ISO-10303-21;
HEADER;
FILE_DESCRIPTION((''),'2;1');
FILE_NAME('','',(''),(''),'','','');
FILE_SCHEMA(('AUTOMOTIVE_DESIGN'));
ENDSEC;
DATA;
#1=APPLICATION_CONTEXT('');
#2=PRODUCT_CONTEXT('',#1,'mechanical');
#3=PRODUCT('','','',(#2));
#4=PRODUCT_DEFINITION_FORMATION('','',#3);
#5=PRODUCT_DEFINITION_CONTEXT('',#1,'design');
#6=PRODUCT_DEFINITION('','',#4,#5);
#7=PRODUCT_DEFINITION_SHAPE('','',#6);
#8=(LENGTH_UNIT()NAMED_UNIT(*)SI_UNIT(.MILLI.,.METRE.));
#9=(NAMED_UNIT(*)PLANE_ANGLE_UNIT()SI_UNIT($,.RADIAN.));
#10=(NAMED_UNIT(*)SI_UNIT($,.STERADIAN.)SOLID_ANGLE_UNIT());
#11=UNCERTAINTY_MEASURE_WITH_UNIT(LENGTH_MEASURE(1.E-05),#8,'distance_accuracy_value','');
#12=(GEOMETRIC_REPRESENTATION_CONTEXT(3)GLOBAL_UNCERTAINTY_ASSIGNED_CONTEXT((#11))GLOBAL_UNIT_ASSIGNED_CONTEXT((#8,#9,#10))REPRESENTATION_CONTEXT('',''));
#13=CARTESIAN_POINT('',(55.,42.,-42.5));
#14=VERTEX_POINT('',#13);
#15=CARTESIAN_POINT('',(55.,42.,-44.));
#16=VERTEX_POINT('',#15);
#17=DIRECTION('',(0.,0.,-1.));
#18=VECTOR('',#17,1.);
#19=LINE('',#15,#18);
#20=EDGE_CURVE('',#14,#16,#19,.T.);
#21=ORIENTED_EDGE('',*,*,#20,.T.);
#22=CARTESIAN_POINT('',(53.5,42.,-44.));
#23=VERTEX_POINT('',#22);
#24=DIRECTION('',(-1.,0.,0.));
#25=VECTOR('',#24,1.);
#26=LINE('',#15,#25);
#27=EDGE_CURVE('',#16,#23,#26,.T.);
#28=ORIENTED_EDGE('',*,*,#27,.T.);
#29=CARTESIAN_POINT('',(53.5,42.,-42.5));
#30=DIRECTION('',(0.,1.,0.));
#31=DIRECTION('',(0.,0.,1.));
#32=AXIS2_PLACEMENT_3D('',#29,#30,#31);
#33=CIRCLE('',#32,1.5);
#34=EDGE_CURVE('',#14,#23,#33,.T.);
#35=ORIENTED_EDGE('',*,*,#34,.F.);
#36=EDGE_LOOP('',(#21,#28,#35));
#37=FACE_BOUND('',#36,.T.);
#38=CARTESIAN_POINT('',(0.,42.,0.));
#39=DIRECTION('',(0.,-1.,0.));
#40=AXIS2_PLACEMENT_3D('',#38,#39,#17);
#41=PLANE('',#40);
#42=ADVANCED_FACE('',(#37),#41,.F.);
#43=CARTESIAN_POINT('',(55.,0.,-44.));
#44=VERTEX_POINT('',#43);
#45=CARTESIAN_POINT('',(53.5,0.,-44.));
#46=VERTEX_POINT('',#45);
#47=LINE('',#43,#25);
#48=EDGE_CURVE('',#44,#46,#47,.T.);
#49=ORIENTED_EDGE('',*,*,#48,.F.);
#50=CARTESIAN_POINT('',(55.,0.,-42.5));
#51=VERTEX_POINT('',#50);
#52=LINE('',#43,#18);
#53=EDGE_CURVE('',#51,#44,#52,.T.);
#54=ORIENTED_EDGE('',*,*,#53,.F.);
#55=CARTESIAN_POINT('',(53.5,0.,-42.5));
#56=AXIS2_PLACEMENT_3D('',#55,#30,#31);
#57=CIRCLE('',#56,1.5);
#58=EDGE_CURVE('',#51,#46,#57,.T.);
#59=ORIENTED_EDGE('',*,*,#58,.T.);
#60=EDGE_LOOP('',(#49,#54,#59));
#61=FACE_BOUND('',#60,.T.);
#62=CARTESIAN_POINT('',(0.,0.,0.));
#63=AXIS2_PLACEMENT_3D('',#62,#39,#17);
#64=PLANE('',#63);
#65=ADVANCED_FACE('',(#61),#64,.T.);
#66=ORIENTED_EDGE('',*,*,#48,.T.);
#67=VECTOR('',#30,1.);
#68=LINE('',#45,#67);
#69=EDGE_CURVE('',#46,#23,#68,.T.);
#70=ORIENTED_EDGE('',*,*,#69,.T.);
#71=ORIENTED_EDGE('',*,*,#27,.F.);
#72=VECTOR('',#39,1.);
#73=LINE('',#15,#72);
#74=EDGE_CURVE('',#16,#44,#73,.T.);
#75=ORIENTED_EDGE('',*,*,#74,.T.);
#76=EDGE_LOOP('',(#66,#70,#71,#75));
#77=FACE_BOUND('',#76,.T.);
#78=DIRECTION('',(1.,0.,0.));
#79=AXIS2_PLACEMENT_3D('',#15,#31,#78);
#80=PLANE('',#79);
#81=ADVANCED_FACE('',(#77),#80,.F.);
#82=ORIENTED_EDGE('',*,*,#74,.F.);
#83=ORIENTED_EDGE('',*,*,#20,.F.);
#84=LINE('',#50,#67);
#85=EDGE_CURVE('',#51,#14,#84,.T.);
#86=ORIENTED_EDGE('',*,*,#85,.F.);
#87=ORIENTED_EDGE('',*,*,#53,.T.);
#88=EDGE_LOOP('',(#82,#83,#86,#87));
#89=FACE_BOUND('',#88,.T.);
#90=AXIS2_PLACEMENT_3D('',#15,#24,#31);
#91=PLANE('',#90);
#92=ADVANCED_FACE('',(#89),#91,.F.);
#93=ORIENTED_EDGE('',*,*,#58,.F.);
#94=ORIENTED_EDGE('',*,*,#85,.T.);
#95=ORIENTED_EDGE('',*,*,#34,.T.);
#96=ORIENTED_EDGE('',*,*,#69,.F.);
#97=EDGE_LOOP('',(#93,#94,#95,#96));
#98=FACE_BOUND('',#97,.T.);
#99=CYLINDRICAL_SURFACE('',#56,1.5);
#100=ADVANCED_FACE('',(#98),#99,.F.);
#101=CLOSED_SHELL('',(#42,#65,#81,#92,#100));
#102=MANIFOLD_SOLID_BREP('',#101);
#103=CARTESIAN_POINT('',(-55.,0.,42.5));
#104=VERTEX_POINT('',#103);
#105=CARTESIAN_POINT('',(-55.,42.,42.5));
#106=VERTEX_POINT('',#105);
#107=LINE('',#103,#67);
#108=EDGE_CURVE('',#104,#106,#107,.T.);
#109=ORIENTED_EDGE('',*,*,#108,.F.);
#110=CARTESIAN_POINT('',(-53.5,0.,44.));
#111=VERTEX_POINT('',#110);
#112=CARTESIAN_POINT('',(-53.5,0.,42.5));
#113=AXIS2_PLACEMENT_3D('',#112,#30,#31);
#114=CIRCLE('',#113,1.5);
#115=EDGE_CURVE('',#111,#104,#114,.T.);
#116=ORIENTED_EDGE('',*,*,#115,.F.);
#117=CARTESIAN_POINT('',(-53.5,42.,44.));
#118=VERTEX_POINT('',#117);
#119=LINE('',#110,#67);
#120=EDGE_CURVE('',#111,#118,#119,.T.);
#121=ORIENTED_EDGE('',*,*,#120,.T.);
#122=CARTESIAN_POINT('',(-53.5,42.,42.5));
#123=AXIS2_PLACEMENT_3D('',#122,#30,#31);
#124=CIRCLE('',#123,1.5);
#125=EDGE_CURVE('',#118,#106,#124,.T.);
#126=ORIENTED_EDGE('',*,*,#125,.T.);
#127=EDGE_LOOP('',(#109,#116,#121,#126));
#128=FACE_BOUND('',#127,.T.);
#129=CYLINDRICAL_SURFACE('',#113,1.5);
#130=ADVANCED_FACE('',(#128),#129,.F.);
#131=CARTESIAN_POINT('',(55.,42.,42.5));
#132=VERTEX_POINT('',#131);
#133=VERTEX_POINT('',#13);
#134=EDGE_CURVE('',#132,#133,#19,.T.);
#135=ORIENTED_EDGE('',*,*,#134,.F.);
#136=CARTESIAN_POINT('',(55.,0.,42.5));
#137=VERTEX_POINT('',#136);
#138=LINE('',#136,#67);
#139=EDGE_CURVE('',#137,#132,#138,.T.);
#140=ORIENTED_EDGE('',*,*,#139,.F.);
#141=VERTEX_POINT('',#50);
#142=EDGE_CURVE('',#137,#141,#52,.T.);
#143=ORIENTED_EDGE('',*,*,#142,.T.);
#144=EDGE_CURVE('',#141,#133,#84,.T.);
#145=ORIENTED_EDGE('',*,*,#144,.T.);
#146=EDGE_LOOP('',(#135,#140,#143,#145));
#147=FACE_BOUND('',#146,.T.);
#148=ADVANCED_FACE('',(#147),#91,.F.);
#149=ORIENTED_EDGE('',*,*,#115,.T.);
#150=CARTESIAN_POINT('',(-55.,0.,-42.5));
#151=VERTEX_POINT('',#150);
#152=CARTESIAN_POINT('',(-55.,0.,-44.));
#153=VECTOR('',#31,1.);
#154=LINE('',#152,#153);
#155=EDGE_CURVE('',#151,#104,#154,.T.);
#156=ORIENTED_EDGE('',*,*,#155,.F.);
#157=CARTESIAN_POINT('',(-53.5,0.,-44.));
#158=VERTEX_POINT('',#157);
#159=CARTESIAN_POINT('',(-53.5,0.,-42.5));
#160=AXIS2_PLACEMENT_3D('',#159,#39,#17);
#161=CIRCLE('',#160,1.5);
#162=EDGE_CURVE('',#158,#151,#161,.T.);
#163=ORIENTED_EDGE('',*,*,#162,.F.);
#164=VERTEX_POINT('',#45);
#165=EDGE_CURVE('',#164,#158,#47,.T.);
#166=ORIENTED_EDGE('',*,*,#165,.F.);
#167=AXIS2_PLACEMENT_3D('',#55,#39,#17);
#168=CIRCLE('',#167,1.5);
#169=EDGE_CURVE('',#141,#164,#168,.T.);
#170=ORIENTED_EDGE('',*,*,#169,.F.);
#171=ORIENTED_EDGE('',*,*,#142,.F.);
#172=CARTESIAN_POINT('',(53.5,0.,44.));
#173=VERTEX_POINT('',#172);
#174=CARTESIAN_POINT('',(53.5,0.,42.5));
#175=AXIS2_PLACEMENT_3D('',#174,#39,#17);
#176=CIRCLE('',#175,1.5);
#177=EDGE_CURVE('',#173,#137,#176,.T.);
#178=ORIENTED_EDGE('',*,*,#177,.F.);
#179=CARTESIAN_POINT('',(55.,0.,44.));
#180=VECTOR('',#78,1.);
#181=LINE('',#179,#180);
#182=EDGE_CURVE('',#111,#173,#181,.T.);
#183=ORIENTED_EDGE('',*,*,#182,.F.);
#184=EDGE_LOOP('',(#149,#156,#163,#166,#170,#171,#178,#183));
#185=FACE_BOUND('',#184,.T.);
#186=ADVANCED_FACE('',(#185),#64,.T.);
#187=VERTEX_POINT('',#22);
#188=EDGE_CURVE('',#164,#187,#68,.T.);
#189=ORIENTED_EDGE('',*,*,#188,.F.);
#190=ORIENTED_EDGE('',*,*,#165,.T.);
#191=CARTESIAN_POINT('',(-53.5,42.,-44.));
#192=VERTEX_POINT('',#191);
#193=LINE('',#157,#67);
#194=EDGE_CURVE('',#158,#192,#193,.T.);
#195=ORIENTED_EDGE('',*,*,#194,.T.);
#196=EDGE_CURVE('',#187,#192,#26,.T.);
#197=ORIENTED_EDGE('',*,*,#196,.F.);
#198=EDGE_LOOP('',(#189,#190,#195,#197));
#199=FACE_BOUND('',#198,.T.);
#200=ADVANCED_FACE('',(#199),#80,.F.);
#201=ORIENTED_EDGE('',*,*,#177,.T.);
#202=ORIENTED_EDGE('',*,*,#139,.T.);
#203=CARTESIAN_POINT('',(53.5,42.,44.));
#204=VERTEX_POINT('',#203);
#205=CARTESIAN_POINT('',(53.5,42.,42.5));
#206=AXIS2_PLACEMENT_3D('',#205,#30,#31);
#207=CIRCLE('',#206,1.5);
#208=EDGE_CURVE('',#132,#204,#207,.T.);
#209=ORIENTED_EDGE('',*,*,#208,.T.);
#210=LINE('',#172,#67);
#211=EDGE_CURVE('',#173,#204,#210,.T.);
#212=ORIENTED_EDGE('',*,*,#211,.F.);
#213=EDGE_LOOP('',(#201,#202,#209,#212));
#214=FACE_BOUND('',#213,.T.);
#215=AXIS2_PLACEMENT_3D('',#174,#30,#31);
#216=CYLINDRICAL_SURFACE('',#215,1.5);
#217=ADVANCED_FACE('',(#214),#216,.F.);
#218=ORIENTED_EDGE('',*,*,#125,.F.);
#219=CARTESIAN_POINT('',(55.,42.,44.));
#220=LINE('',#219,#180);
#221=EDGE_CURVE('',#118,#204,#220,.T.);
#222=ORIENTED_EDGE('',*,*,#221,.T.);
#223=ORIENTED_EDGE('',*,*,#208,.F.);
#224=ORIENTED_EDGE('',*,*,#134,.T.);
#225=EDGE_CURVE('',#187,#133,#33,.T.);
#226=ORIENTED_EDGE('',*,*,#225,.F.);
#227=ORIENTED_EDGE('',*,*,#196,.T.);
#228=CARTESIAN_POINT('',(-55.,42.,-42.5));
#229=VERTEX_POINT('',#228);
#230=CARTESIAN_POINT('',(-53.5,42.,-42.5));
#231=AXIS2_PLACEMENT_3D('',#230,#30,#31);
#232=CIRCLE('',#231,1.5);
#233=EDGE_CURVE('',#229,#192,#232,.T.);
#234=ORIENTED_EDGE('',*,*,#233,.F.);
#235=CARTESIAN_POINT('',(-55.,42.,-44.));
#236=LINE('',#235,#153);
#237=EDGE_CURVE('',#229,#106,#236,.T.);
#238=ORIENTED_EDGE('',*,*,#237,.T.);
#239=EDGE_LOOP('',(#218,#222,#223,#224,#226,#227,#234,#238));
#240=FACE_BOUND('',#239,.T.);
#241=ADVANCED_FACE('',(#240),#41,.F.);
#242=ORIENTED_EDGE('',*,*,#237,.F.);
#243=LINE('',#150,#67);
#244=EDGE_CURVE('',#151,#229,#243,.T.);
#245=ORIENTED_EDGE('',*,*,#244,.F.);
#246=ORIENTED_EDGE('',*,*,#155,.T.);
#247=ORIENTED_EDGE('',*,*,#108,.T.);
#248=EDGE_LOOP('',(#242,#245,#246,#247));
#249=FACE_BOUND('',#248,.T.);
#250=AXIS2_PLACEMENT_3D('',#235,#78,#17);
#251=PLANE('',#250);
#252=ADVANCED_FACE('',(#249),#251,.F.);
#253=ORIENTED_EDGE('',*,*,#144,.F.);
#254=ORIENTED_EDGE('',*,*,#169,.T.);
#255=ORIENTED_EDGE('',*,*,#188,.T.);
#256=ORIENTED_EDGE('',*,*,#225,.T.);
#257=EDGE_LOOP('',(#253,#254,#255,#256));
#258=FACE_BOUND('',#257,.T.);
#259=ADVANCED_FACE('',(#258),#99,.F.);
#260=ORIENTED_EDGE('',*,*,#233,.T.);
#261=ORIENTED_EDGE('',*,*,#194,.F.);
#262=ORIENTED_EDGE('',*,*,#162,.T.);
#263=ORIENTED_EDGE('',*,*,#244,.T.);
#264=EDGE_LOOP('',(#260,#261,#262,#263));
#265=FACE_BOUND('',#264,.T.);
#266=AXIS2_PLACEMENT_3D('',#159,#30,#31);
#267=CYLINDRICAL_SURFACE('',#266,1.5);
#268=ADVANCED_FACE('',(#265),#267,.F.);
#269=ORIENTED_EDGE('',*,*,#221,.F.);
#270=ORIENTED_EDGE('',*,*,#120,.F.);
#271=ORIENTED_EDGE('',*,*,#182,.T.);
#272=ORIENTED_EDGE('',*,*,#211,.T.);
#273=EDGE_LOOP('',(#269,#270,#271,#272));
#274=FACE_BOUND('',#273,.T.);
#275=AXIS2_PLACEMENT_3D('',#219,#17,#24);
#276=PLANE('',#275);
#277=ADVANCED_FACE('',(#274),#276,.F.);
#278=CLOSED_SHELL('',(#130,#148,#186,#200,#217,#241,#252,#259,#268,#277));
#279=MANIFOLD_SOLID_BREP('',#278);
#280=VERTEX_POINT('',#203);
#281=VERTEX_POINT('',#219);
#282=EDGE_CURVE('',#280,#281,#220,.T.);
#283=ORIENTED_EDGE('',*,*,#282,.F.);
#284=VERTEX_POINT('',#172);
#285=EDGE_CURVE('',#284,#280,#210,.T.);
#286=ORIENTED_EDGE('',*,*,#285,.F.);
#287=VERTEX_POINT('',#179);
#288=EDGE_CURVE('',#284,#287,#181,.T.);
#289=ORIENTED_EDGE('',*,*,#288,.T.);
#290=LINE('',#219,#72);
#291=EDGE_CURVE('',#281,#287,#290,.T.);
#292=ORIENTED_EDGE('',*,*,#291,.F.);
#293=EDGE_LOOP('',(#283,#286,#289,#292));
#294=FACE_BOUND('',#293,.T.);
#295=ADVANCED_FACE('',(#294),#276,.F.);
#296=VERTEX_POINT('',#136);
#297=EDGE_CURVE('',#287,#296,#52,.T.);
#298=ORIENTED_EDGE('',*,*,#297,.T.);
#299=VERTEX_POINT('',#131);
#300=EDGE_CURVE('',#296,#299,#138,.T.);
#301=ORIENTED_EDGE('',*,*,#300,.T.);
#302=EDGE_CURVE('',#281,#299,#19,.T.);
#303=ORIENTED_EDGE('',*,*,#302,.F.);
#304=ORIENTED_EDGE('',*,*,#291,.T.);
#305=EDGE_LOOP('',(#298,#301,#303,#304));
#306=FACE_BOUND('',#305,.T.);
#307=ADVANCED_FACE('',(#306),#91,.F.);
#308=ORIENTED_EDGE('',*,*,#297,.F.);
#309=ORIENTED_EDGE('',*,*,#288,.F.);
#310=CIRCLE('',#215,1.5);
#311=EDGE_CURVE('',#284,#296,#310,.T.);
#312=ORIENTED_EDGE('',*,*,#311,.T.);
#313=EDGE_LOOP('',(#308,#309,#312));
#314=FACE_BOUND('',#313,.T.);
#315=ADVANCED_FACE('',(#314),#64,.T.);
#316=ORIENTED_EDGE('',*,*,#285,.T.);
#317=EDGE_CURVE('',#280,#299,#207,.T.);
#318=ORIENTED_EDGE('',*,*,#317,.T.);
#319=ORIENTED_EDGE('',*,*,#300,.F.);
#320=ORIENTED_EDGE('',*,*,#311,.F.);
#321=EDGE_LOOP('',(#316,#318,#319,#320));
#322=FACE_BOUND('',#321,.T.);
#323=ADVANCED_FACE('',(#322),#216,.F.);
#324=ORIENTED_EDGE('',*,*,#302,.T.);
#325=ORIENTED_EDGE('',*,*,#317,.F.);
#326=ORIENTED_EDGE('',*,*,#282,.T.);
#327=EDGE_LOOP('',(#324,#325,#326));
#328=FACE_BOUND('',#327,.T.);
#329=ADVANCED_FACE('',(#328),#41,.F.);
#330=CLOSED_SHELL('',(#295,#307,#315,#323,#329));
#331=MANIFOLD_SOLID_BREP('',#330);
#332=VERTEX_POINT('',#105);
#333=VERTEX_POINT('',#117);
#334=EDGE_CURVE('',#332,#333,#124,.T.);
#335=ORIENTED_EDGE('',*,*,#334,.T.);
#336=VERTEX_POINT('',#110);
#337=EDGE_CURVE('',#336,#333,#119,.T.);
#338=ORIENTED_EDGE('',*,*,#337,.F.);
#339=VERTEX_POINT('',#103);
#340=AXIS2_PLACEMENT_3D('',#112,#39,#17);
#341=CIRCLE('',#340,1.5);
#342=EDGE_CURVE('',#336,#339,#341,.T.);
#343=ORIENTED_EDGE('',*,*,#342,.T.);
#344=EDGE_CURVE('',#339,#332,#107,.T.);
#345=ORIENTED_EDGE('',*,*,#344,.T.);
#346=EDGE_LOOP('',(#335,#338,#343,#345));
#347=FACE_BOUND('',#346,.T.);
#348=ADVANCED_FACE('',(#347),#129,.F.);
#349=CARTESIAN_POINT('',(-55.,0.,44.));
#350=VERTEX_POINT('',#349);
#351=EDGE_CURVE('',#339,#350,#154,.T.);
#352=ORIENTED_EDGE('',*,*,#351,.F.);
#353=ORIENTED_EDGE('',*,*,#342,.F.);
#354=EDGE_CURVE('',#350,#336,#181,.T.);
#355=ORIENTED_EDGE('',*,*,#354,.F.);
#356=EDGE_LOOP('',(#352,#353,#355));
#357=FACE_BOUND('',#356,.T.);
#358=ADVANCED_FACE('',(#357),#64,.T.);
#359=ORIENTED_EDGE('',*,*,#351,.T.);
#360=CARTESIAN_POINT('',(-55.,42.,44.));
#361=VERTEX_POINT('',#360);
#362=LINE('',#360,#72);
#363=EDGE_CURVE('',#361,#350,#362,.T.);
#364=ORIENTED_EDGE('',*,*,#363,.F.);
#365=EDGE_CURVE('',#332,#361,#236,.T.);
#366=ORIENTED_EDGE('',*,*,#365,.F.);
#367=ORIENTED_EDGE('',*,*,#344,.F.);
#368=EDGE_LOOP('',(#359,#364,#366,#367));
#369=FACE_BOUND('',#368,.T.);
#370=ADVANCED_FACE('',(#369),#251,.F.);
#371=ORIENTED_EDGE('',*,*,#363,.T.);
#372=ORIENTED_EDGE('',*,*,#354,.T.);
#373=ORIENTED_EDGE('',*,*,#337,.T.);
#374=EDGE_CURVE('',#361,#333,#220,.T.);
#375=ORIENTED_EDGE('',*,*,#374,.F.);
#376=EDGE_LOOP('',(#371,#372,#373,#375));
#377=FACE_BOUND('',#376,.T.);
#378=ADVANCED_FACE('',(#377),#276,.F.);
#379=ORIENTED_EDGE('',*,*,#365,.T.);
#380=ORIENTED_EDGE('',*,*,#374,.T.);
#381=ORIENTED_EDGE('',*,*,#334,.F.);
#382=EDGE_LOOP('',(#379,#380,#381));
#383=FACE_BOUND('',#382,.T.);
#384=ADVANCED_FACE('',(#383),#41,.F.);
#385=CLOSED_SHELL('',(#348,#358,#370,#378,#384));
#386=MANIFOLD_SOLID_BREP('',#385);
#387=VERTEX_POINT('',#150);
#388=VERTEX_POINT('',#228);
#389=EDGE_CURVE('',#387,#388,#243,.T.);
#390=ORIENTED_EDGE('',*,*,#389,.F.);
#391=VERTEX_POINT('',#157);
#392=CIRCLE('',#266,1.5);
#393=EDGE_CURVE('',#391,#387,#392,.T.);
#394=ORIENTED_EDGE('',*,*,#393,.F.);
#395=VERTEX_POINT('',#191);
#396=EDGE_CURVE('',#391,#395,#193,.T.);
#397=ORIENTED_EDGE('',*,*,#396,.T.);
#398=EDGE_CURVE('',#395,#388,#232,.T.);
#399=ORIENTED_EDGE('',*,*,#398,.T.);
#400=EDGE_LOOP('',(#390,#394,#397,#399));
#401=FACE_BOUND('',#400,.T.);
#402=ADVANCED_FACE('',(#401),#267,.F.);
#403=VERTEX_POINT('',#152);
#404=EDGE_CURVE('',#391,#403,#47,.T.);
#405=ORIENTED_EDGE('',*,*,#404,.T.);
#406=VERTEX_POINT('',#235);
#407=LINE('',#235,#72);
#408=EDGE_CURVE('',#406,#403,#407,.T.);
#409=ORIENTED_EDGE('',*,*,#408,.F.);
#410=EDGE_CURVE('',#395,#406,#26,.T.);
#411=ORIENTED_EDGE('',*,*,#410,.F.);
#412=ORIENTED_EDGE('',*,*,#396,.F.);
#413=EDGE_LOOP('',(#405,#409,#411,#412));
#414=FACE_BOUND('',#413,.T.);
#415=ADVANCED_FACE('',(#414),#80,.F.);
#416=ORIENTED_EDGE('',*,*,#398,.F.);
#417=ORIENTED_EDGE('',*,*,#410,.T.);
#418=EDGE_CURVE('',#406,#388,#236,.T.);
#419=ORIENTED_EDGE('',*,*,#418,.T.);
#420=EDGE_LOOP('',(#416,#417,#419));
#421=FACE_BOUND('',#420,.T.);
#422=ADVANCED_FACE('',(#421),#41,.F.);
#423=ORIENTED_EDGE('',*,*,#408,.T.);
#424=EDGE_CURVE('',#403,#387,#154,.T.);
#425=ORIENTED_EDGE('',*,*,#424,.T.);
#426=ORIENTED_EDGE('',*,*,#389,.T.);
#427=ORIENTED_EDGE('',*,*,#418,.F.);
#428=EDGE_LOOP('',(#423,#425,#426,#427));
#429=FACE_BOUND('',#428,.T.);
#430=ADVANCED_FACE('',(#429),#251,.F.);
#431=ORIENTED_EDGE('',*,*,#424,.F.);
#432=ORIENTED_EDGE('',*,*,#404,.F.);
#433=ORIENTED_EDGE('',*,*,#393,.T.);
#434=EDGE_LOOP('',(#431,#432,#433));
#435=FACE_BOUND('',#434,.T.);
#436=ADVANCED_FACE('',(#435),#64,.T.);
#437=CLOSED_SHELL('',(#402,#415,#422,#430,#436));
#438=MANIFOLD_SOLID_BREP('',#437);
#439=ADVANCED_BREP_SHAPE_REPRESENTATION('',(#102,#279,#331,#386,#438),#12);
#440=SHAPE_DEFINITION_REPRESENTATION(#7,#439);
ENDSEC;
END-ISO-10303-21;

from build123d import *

# Parameters (mm, degrees)
SKETCH_1_W          = 110
SKETCH_1_H          = 88
EXTRUDE_1_DEPTH     = 42
SKETCH_3_R          = 1.5
CUT_EXTRUDE_1_DEPTH = 83.006097334


with BuildPart() as part:
    # 草圖1 → 填料-伸長1 (new body)
    with BuildSketch(Plane(origin=(0, 0, 0), x_dir=(1, 0, 0), z_dir=(0, 1, 0))):
        Rectangle(SKETCH_1_W, SKETCH_1_H)
    extrude(amount=EXTRUDE_1_DEPTH)

    # 草圖3 → 除料-伸長1 (cut, through all)
    with BuildSketch(Plane(origin=(0, 42, 0), x_dir=(1, 0, 0), z_dir=(0, 1, 0))):
        with Locations((53.5, -42.5)):
            Circle(SKETCH_3_R)
        with Locations((53.5, 42.5)):
            Circle(SKETCH_3_R)
        with Locations((-53.5, 42.5)):
            Circle(SKETCH_3_R)
        with Locations((-53.5, -42.5)):
            Circle(SKETCH_3_R)
    extrude(amount=-CUT_EXTRUDE_1_DEPTH, mode=Mode.SUBTRACT)


solid = part.part
